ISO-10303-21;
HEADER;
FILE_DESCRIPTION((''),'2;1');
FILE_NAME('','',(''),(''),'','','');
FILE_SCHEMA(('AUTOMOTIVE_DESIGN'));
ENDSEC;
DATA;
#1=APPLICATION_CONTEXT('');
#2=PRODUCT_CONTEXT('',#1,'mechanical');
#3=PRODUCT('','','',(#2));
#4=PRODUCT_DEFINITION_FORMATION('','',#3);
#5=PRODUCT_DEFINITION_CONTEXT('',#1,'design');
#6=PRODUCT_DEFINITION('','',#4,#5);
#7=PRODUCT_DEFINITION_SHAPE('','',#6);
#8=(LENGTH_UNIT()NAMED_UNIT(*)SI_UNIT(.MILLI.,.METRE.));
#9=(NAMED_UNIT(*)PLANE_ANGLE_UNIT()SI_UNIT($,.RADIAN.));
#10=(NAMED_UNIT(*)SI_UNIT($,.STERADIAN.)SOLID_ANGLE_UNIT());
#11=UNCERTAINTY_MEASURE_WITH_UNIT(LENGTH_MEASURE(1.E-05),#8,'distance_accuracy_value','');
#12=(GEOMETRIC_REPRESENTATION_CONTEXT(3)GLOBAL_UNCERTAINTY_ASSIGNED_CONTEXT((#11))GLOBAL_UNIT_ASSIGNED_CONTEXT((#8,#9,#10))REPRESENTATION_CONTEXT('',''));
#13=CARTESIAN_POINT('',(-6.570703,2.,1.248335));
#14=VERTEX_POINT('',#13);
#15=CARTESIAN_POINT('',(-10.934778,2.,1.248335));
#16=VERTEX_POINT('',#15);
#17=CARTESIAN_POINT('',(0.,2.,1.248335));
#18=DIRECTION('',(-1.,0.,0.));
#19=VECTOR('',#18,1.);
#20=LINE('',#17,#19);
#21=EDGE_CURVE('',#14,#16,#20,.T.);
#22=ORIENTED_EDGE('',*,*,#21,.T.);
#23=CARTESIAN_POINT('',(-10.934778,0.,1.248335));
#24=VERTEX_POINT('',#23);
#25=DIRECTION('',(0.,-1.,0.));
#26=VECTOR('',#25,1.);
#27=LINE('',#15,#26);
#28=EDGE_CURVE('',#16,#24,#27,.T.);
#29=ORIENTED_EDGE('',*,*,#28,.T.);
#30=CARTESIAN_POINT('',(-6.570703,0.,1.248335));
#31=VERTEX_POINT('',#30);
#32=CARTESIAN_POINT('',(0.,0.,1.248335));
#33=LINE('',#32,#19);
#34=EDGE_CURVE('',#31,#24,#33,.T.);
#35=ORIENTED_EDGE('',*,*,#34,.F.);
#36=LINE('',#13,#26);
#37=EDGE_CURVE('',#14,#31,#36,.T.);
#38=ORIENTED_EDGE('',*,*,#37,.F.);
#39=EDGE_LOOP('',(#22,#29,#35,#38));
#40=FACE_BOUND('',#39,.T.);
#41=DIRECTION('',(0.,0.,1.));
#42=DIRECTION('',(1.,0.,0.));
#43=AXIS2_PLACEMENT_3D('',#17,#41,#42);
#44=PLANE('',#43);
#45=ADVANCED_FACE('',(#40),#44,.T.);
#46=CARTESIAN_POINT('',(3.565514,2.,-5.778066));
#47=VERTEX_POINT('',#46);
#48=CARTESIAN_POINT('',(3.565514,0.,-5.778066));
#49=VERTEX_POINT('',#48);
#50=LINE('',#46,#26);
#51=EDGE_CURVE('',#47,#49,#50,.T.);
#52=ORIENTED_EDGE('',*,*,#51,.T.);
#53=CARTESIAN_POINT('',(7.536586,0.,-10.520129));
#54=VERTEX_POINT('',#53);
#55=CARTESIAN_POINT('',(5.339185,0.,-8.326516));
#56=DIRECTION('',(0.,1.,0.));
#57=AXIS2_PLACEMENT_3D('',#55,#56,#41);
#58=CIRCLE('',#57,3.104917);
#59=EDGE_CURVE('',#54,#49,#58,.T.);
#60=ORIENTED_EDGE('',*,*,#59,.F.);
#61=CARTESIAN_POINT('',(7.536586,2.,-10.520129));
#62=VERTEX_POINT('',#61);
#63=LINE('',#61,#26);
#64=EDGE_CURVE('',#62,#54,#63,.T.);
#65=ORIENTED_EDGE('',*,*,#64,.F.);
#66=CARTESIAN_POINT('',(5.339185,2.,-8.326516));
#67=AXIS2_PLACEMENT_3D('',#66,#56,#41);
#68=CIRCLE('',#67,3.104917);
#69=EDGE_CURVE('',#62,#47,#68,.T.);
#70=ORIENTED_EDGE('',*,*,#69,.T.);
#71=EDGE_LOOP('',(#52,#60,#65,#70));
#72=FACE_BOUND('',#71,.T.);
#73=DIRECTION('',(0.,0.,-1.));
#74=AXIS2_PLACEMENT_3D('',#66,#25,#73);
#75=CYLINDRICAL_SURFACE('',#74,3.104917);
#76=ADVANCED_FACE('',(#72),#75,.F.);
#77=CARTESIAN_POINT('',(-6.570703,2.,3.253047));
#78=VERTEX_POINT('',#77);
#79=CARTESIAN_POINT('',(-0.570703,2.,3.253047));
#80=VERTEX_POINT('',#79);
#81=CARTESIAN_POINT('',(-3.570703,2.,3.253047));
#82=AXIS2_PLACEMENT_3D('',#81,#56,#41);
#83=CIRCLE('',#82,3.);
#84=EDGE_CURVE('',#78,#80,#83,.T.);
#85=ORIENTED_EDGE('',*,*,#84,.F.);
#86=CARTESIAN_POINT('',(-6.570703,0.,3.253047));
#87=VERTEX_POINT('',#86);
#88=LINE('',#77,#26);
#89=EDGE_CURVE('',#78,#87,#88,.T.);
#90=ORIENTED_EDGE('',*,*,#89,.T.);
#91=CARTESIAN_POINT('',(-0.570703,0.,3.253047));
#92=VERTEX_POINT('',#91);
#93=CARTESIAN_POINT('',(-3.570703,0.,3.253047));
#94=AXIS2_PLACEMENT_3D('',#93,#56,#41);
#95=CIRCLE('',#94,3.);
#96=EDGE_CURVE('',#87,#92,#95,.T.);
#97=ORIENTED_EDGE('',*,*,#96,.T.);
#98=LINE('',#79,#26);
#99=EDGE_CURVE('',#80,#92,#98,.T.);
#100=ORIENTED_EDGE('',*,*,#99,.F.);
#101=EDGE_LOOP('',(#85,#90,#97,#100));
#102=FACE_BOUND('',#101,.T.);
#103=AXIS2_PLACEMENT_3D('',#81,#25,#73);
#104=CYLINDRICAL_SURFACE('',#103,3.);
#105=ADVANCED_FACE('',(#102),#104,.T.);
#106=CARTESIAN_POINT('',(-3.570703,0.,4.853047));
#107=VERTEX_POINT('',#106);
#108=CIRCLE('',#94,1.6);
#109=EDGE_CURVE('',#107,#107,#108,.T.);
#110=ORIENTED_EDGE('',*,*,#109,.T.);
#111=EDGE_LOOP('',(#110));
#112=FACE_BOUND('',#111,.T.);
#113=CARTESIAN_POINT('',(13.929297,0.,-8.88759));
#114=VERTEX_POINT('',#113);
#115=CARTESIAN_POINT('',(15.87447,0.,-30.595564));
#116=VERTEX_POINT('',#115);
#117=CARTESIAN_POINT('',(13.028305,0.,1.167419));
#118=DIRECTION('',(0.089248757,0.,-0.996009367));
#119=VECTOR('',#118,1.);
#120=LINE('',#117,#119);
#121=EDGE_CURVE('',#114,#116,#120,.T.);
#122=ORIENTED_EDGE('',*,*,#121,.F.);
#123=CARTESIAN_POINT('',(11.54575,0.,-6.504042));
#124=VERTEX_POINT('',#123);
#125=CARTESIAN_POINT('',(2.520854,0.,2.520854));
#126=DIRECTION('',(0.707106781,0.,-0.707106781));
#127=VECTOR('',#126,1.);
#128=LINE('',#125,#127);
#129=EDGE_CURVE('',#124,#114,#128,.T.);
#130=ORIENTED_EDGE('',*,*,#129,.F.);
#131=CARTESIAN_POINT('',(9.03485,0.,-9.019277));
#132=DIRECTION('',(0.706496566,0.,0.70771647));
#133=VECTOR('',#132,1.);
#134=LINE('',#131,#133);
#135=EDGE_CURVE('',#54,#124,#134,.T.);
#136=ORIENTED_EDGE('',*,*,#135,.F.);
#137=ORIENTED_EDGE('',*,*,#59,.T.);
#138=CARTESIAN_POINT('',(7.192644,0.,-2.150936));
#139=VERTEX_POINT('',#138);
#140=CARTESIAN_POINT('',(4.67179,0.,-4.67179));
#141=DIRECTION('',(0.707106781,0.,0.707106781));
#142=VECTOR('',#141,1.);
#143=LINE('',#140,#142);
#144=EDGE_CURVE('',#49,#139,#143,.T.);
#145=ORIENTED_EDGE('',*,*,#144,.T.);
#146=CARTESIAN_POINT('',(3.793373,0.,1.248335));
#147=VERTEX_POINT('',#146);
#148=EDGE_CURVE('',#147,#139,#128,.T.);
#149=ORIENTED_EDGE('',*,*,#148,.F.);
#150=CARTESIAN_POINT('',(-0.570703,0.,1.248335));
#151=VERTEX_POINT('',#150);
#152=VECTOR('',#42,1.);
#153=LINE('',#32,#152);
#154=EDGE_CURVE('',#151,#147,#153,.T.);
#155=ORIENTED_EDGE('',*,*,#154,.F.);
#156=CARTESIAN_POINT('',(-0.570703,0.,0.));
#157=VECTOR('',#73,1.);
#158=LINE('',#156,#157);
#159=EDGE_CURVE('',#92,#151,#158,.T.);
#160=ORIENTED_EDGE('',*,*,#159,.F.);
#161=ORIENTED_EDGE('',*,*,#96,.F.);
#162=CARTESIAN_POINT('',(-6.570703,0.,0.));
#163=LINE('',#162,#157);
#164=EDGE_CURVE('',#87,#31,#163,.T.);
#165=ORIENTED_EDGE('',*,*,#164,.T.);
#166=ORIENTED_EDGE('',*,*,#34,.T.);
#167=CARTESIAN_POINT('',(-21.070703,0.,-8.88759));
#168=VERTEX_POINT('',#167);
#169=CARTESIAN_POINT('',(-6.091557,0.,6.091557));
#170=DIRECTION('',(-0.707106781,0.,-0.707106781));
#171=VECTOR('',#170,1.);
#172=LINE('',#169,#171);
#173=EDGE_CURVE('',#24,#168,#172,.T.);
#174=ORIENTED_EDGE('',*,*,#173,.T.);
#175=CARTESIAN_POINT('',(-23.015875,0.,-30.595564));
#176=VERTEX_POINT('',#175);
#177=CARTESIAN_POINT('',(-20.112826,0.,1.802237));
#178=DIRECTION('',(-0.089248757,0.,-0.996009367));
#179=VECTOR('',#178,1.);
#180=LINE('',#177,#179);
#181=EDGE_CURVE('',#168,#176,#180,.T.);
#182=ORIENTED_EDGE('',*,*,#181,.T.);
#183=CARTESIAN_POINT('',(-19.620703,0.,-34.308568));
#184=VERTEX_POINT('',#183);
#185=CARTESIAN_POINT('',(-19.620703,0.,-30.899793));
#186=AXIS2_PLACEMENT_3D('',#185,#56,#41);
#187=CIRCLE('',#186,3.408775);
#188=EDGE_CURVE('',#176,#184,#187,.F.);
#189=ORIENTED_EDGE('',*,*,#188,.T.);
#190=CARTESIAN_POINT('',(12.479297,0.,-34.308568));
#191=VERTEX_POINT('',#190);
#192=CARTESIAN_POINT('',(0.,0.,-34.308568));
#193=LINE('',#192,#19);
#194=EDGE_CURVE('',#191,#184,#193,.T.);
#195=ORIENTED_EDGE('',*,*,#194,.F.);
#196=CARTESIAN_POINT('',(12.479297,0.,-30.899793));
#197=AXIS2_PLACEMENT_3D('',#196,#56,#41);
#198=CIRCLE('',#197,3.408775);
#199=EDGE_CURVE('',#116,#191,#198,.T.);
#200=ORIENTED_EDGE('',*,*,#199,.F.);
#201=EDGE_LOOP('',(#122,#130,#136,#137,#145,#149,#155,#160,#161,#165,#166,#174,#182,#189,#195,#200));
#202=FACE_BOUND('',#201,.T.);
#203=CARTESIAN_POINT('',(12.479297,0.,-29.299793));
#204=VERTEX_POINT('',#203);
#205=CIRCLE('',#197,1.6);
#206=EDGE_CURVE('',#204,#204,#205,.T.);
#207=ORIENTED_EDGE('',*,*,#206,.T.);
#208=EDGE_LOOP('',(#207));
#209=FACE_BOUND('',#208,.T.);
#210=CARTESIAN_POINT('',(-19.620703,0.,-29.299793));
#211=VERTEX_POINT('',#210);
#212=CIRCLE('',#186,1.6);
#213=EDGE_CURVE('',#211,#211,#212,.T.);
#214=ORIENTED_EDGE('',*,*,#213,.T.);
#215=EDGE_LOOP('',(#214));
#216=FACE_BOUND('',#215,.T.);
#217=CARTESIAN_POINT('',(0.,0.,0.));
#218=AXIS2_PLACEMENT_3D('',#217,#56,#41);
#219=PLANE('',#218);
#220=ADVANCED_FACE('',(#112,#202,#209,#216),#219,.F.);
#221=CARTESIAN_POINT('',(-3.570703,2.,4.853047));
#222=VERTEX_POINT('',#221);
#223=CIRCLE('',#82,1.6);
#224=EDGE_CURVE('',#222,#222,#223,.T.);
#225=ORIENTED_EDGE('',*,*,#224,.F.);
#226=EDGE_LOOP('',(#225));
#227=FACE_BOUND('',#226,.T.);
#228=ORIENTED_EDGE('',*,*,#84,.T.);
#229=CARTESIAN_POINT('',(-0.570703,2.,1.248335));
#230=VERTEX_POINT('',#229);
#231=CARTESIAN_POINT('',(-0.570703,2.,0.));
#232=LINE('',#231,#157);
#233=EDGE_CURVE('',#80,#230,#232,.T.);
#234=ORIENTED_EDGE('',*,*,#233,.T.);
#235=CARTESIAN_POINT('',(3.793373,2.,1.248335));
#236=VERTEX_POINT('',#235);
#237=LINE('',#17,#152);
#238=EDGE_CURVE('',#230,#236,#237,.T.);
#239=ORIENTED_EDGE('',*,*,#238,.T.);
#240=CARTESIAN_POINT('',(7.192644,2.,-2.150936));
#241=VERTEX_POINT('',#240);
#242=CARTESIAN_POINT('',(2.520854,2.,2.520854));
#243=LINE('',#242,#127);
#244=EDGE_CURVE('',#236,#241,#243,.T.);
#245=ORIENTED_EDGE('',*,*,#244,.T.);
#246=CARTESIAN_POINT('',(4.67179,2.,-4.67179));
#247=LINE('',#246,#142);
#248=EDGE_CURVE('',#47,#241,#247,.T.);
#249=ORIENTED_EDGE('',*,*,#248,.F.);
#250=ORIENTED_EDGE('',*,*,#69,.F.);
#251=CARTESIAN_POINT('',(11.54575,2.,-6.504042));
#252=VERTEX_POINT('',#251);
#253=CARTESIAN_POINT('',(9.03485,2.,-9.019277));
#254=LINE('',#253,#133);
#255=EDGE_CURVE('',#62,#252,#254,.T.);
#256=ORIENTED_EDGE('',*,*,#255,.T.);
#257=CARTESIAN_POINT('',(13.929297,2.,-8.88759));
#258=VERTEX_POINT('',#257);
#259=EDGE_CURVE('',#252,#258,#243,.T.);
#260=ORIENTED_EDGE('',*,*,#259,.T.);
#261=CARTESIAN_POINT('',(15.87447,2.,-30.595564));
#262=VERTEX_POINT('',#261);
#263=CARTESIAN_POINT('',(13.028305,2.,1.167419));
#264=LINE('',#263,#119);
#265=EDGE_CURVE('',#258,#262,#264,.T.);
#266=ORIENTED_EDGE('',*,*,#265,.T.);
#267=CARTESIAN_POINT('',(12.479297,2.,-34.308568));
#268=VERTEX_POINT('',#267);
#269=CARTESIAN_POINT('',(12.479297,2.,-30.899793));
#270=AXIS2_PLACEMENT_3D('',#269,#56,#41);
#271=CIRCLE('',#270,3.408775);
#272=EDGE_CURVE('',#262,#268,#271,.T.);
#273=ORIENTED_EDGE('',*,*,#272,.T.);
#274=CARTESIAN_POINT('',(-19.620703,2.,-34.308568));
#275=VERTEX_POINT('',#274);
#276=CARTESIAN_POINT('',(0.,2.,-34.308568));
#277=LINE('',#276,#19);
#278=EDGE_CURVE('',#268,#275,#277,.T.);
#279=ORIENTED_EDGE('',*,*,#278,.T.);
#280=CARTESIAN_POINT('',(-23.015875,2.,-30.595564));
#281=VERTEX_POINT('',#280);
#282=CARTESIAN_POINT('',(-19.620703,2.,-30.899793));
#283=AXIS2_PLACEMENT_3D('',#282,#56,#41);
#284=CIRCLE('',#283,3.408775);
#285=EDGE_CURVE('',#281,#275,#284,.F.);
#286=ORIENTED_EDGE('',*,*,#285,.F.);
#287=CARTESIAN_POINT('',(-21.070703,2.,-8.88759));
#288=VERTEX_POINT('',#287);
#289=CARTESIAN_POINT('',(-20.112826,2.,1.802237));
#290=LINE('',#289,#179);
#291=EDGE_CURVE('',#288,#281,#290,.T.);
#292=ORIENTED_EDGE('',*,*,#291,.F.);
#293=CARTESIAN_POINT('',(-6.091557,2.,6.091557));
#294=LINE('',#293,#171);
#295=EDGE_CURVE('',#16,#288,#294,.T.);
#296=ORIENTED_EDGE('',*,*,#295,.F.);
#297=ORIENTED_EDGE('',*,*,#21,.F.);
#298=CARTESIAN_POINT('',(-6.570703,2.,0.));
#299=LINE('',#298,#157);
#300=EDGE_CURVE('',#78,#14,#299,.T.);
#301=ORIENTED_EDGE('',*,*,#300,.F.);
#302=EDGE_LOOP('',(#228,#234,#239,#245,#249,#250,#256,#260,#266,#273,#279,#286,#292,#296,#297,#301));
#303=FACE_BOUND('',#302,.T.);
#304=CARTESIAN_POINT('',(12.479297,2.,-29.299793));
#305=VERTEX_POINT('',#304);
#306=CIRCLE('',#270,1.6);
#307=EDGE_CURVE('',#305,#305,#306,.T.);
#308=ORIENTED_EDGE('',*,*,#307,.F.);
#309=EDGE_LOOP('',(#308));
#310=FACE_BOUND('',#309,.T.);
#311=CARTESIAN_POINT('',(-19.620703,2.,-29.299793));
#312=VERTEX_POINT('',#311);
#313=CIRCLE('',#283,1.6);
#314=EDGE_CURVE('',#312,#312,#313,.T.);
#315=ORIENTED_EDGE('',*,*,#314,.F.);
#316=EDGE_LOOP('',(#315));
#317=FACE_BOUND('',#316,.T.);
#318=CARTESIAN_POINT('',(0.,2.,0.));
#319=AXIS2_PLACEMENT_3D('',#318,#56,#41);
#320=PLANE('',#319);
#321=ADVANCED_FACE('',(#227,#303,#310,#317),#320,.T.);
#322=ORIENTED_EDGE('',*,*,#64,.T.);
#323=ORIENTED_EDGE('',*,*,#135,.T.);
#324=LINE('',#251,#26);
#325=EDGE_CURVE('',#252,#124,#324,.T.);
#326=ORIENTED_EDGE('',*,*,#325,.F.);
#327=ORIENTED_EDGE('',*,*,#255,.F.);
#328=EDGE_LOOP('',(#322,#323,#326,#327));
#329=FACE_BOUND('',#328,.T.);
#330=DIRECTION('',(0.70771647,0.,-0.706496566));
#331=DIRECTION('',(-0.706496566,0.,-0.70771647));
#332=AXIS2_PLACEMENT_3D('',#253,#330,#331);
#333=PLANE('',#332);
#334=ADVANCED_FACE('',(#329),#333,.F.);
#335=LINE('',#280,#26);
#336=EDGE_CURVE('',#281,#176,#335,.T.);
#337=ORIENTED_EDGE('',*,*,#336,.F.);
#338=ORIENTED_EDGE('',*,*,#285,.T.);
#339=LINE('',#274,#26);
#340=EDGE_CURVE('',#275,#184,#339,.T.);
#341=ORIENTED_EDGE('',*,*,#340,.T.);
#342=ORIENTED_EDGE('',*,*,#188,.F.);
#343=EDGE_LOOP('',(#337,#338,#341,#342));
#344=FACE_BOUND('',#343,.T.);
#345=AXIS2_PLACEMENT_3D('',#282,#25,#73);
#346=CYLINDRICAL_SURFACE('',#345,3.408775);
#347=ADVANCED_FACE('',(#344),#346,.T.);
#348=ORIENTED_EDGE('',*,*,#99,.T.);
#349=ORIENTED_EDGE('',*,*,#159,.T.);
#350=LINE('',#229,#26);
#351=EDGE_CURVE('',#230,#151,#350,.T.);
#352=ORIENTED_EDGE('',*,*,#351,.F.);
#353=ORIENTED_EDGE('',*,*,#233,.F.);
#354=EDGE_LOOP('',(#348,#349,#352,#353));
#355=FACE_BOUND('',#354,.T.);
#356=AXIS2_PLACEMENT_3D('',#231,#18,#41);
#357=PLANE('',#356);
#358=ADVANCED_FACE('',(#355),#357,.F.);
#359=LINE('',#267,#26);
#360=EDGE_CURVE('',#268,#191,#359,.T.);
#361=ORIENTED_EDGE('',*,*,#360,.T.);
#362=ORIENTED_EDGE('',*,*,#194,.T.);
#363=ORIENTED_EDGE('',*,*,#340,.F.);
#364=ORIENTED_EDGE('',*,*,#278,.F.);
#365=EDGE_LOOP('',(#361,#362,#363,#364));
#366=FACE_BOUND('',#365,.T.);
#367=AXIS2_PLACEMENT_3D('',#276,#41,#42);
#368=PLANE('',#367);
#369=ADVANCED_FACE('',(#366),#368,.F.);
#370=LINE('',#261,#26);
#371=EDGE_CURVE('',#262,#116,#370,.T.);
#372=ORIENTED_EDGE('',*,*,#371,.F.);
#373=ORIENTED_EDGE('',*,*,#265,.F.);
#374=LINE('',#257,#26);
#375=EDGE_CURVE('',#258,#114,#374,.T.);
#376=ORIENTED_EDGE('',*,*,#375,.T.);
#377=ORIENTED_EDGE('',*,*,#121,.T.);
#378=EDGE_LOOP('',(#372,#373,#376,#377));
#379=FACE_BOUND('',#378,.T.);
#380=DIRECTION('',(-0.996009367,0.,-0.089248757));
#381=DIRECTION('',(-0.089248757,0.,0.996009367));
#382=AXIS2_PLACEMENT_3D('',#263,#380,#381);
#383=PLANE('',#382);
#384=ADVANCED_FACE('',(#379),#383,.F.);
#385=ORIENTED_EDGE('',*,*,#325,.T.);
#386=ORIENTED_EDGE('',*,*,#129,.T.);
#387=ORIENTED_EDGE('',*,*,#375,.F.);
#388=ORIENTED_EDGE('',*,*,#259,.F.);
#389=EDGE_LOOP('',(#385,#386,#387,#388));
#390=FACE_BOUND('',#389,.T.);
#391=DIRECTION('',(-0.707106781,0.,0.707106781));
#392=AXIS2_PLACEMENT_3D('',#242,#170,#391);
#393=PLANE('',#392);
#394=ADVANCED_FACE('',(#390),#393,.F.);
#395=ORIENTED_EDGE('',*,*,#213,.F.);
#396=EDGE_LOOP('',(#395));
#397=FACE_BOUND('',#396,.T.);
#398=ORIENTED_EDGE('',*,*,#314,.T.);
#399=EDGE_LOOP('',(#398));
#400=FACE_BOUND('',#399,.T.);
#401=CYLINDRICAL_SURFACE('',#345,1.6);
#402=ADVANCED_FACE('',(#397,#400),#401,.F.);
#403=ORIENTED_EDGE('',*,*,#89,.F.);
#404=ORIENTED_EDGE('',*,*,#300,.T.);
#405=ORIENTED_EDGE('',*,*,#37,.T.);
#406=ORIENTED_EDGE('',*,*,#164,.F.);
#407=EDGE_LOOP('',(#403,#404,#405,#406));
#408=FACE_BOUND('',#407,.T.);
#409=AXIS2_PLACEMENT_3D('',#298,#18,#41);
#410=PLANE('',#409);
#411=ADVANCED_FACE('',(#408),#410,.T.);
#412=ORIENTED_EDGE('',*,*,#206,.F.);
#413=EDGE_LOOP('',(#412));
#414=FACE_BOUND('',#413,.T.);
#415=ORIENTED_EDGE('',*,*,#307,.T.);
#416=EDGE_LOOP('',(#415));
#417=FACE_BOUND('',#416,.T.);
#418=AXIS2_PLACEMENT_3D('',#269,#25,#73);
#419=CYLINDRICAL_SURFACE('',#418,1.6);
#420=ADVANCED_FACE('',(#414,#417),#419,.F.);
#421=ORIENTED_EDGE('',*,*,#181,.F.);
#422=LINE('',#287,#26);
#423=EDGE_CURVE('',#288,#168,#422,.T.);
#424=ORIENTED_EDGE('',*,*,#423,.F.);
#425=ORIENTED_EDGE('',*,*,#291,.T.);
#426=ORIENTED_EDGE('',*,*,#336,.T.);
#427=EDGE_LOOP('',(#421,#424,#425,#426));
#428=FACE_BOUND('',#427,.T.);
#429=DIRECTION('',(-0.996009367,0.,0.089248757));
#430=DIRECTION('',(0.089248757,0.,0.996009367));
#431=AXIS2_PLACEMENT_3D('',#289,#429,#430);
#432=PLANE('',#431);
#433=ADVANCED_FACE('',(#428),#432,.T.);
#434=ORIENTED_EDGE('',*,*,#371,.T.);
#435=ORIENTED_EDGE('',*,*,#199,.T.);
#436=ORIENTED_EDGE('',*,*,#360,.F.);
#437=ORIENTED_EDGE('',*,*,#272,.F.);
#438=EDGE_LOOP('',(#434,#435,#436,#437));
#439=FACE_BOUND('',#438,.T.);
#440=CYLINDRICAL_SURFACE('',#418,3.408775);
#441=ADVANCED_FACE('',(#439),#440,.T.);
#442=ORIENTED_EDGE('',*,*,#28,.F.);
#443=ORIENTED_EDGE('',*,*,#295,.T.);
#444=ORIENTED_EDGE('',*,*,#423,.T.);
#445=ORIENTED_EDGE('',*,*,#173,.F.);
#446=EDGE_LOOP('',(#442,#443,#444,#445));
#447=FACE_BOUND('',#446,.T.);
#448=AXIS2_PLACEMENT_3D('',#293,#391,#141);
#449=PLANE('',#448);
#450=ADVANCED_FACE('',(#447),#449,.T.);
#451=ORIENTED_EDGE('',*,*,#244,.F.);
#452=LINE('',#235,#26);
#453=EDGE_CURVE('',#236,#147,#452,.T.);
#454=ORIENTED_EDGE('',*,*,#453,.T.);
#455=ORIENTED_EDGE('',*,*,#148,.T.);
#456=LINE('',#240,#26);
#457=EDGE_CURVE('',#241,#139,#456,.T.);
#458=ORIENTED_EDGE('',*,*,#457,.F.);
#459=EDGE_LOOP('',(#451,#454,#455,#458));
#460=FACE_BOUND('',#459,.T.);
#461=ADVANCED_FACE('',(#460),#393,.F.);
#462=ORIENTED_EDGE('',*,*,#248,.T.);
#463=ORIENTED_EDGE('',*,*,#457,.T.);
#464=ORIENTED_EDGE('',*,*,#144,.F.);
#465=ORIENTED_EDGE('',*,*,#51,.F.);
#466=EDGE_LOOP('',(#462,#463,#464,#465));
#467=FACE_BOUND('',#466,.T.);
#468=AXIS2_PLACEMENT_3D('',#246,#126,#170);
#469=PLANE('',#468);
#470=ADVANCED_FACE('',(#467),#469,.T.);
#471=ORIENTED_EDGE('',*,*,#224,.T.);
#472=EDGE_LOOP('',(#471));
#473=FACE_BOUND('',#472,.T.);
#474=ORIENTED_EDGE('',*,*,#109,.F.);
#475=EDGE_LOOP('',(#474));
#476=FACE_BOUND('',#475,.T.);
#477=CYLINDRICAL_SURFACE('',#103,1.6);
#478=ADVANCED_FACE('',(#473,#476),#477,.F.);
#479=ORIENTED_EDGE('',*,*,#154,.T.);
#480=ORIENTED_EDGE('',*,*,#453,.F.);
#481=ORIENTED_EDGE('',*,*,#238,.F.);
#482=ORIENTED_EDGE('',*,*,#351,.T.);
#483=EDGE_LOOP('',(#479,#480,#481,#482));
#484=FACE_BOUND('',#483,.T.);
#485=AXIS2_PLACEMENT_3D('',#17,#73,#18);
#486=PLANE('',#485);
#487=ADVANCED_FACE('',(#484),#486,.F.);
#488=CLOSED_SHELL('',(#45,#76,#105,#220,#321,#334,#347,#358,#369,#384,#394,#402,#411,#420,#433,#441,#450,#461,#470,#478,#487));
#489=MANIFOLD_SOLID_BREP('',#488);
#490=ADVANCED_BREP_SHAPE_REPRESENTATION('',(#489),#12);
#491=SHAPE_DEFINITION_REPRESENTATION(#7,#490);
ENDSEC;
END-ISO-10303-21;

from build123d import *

# Parameters (mm, degrees)
SKETCH1_R           = 1.6
BOSS_EXTRUDE1_DEPTH = 2


with BuildPart() as part:
    # Sketch1 → Boss-Extrude1 (new body)
    with BuildSketch(Plane(origin=(0, 0, 0), x_dir=(1, 0, 0), z_dir=(0, 1, 0))):
        with BuildLine():
            ThreePointArc((7.536585866, 10.5201286), (2.958706846, 10.319962474), (3.565513998, 5.778065527))
            Line((3.565513998, 5.778065527), (7.192643667, 2.150935858))
            Line((7.192643667, 2.150935858), (3.793373086, -1.248334723))
            Line((3.793373086, -1.248334723), (-0.570702654, -1.248334723))
            Line((-0.570702654, -1.248334723), (-0.570702654, -3.253047476))
            ThreePointArc((-0.570702654, -3.253047476), (-3.570702654, -6.253047476), (-6.570702654, -3.253047476))
            Line((-6.570702654, -3.253047476), (-6.570702654, -1.248334723))
            Line((-6.570702654, -1.248334723), (-10.934778393, -1.248334723))
            Line((-10.934778393, -1.248334723), (-21.070702654, 8.887589537))
            Line((-21.070702654, 8.887589537), (-23.015874855, 30.595563989))
            ThreePointArc((-23.015874855, 30.595563989), (-22.136333563, 33.200086558), (-19.620702654, 34.308568326))
            Line((-19.620702654, 34.308568326), (12.479297346, 34.308568326))
            ThreePointArc((12.479297346, 34.308568326), (14.994928256, 33.200086558), (15.874469548, 30.595563989))
            Line((15.874469548, 30.595563989), (13.929297346, 8.887589537))
            Line((13.929297346, 8.887589537), (11.545749837, 6.504042028))
            Line((11.545749837, 6.504042028), (7.536585866, 10.5201286))
        make_face()
        with Locations((-19.620702654, 30.899792953)):
            Circle(SKETCH1_R, mode=Mode.SUBTRACT)
        with Locations((12.479297346, 30.899792953)):
            Circle(SKETCH1_R, mode=Mode.SUBTRACT)
        with Locations((-3.570702654, -3.253047476)):
            Circle(SKETCH1_R, mode=Mode.SUBTRACT)
    extrude(amount=BOSS_EXTRUDE1_DEPTH)


solid = part.part
